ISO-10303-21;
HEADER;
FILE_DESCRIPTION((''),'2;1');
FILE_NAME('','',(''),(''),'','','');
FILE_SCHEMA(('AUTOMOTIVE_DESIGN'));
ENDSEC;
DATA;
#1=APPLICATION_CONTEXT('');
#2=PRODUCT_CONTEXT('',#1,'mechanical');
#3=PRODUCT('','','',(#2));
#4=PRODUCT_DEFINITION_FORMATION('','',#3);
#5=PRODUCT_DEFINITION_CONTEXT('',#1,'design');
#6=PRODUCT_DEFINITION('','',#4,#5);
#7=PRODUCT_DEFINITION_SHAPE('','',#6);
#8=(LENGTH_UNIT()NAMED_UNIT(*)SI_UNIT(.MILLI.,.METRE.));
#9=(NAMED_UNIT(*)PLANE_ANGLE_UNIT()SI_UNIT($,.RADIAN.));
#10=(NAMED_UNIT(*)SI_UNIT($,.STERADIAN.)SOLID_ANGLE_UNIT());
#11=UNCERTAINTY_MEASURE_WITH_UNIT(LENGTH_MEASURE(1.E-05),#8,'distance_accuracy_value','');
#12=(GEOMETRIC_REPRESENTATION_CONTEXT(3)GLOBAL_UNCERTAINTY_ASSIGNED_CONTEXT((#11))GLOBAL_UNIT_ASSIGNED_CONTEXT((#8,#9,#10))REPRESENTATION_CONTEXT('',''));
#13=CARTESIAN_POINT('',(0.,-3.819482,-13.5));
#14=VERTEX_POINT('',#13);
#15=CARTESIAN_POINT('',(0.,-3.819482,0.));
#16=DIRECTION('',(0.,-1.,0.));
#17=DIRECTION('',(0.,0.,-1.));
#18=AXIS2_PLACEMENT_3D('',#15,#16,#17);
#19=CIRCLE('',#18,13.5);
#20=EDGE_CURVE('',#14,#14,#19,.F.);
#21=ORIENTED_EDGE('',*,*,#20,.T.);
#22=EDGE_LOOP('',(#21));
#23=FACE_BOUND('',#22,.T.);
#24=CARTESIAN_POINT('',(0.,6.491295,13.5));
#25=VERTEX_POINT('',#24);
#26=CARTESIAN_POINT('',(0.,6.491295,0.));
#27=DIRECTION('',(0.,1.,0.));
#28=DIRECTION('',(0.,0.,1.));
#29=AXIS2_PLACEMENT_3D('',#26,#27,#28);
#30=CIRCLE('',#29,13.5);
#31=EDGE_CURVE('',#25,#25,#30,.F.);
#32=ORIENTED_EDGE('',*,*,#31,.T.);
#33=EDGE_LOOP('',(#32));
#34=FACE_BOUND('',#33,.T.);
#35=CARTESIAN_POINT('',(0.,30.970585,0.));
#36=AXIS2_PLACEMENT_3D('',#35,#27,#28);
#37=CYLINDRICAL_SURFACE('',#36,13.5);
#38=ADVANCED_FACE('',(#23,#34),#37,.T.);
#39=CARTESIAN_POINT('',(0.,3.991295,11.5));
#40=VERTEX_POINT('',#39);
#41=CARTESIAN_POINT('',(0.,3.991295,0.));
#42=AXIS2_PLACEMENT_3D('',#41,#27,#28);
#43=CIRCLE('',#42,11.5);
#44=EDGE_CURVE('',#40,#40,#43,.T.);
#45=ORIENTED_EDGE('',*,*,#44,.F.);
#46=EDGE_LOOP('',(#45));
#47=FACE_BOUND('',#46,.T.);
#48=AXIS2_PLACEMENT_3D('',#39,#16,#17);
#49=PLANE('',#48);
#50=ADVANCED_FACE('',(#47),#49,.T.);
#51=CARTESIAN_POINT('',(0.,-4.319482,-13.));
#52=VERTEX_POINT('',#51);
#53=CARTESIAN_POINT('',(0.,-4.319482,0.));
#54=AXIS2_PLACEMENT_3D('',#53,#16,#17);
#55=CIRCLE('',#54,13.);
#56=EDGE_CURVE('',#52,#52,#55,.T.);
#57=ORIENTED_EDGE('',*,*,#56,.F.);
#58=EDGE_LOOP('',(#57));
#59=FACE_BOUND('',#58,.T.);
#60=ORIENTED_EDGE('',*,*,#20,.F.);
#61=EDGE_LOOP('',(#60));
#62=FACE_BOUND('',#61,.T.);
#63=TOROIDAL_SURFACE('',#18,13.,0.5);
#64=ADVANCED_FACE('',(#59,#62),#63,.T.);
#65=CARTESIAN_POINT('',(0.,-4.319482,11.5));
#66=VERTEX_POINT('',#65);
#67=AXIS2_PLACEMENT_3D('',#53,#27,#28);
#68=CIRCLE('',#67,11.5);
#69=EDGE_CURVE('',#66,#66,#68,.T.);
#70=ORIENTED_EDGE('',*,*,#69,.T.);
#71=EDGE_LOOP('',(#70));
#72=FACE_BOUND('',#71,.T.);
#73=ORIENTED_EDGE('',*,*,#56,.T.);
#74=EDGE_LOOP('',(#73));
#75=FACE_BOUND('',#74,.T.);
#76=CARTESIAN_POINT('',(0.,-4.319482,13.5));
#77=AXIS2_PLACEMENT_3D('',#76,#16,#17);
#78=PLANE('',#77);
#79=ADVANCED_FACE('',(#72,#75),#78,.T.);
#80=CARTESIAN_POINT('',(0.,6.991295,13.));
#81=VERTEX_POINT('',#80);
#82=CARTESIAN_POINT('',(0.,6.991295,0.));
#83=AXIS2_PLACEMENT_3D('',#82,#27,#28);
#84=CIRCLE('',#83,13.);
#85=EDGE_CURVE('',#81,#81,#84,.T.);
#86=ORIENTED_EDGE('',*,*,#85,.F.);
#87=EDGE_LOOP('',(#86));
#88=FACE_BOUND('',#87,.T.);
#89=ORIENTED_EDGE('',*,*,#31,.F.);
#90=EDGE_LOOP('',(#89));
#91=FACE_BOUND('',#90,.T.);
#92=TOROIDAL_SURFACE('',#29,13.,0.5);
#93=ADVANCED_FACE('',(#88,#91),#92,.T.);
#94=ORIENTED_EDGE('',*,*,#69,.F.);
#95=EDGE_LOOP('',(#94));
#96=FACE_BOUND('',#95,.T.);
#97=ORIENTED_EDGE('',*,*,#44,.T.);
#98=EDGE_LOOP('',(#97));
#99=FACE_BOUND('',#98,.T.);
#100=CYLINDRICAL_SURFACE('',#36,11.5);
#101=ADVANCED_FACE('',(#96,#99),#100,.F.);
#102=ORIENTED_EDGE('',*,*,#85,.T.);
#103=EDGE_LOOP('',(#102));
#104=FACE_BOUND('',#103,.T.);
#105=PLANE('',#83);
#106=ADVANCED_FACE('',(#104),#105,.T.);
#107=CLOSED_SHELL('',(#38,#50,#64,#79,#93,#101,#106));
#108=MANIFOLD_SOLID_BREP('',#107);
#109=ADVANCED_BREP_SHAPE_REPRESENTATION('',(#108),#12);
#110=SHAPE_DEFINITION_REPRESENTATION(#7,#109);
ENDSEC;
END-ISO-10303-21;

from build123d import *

# Parameters (mm, degrees)
FILLET1_R = 0.5


with BuildPart() as part:
    # Sketch1 → Revolve1 (revolve)
    with BuildSketch(Plane(origin=(0, 0, 0), x_dir=(0, 0, -1), z_dir=(1, 0, 0))):
        Polygon((-11.5, -4.319482084), (-11.5, 3.991295481), (0, 3.991295481), (0, 6.991295481), (-13.5, 6.991295481), (-13.5, -4.319482084), align=None)
    revolve(axis=Axis((0, 30.970585338, 0), (0, -1, 0)))

    # Fillet1
    fillet1_edges = [part.edges().sort_by_distance(p)[0] for p in [
        (0, -4.319482084, -13.5),
        (0, 6.991295481, -13.5),
    ]]
    fillet(fillet1_edges, radius=FILLET1_R)


solid = part.part
